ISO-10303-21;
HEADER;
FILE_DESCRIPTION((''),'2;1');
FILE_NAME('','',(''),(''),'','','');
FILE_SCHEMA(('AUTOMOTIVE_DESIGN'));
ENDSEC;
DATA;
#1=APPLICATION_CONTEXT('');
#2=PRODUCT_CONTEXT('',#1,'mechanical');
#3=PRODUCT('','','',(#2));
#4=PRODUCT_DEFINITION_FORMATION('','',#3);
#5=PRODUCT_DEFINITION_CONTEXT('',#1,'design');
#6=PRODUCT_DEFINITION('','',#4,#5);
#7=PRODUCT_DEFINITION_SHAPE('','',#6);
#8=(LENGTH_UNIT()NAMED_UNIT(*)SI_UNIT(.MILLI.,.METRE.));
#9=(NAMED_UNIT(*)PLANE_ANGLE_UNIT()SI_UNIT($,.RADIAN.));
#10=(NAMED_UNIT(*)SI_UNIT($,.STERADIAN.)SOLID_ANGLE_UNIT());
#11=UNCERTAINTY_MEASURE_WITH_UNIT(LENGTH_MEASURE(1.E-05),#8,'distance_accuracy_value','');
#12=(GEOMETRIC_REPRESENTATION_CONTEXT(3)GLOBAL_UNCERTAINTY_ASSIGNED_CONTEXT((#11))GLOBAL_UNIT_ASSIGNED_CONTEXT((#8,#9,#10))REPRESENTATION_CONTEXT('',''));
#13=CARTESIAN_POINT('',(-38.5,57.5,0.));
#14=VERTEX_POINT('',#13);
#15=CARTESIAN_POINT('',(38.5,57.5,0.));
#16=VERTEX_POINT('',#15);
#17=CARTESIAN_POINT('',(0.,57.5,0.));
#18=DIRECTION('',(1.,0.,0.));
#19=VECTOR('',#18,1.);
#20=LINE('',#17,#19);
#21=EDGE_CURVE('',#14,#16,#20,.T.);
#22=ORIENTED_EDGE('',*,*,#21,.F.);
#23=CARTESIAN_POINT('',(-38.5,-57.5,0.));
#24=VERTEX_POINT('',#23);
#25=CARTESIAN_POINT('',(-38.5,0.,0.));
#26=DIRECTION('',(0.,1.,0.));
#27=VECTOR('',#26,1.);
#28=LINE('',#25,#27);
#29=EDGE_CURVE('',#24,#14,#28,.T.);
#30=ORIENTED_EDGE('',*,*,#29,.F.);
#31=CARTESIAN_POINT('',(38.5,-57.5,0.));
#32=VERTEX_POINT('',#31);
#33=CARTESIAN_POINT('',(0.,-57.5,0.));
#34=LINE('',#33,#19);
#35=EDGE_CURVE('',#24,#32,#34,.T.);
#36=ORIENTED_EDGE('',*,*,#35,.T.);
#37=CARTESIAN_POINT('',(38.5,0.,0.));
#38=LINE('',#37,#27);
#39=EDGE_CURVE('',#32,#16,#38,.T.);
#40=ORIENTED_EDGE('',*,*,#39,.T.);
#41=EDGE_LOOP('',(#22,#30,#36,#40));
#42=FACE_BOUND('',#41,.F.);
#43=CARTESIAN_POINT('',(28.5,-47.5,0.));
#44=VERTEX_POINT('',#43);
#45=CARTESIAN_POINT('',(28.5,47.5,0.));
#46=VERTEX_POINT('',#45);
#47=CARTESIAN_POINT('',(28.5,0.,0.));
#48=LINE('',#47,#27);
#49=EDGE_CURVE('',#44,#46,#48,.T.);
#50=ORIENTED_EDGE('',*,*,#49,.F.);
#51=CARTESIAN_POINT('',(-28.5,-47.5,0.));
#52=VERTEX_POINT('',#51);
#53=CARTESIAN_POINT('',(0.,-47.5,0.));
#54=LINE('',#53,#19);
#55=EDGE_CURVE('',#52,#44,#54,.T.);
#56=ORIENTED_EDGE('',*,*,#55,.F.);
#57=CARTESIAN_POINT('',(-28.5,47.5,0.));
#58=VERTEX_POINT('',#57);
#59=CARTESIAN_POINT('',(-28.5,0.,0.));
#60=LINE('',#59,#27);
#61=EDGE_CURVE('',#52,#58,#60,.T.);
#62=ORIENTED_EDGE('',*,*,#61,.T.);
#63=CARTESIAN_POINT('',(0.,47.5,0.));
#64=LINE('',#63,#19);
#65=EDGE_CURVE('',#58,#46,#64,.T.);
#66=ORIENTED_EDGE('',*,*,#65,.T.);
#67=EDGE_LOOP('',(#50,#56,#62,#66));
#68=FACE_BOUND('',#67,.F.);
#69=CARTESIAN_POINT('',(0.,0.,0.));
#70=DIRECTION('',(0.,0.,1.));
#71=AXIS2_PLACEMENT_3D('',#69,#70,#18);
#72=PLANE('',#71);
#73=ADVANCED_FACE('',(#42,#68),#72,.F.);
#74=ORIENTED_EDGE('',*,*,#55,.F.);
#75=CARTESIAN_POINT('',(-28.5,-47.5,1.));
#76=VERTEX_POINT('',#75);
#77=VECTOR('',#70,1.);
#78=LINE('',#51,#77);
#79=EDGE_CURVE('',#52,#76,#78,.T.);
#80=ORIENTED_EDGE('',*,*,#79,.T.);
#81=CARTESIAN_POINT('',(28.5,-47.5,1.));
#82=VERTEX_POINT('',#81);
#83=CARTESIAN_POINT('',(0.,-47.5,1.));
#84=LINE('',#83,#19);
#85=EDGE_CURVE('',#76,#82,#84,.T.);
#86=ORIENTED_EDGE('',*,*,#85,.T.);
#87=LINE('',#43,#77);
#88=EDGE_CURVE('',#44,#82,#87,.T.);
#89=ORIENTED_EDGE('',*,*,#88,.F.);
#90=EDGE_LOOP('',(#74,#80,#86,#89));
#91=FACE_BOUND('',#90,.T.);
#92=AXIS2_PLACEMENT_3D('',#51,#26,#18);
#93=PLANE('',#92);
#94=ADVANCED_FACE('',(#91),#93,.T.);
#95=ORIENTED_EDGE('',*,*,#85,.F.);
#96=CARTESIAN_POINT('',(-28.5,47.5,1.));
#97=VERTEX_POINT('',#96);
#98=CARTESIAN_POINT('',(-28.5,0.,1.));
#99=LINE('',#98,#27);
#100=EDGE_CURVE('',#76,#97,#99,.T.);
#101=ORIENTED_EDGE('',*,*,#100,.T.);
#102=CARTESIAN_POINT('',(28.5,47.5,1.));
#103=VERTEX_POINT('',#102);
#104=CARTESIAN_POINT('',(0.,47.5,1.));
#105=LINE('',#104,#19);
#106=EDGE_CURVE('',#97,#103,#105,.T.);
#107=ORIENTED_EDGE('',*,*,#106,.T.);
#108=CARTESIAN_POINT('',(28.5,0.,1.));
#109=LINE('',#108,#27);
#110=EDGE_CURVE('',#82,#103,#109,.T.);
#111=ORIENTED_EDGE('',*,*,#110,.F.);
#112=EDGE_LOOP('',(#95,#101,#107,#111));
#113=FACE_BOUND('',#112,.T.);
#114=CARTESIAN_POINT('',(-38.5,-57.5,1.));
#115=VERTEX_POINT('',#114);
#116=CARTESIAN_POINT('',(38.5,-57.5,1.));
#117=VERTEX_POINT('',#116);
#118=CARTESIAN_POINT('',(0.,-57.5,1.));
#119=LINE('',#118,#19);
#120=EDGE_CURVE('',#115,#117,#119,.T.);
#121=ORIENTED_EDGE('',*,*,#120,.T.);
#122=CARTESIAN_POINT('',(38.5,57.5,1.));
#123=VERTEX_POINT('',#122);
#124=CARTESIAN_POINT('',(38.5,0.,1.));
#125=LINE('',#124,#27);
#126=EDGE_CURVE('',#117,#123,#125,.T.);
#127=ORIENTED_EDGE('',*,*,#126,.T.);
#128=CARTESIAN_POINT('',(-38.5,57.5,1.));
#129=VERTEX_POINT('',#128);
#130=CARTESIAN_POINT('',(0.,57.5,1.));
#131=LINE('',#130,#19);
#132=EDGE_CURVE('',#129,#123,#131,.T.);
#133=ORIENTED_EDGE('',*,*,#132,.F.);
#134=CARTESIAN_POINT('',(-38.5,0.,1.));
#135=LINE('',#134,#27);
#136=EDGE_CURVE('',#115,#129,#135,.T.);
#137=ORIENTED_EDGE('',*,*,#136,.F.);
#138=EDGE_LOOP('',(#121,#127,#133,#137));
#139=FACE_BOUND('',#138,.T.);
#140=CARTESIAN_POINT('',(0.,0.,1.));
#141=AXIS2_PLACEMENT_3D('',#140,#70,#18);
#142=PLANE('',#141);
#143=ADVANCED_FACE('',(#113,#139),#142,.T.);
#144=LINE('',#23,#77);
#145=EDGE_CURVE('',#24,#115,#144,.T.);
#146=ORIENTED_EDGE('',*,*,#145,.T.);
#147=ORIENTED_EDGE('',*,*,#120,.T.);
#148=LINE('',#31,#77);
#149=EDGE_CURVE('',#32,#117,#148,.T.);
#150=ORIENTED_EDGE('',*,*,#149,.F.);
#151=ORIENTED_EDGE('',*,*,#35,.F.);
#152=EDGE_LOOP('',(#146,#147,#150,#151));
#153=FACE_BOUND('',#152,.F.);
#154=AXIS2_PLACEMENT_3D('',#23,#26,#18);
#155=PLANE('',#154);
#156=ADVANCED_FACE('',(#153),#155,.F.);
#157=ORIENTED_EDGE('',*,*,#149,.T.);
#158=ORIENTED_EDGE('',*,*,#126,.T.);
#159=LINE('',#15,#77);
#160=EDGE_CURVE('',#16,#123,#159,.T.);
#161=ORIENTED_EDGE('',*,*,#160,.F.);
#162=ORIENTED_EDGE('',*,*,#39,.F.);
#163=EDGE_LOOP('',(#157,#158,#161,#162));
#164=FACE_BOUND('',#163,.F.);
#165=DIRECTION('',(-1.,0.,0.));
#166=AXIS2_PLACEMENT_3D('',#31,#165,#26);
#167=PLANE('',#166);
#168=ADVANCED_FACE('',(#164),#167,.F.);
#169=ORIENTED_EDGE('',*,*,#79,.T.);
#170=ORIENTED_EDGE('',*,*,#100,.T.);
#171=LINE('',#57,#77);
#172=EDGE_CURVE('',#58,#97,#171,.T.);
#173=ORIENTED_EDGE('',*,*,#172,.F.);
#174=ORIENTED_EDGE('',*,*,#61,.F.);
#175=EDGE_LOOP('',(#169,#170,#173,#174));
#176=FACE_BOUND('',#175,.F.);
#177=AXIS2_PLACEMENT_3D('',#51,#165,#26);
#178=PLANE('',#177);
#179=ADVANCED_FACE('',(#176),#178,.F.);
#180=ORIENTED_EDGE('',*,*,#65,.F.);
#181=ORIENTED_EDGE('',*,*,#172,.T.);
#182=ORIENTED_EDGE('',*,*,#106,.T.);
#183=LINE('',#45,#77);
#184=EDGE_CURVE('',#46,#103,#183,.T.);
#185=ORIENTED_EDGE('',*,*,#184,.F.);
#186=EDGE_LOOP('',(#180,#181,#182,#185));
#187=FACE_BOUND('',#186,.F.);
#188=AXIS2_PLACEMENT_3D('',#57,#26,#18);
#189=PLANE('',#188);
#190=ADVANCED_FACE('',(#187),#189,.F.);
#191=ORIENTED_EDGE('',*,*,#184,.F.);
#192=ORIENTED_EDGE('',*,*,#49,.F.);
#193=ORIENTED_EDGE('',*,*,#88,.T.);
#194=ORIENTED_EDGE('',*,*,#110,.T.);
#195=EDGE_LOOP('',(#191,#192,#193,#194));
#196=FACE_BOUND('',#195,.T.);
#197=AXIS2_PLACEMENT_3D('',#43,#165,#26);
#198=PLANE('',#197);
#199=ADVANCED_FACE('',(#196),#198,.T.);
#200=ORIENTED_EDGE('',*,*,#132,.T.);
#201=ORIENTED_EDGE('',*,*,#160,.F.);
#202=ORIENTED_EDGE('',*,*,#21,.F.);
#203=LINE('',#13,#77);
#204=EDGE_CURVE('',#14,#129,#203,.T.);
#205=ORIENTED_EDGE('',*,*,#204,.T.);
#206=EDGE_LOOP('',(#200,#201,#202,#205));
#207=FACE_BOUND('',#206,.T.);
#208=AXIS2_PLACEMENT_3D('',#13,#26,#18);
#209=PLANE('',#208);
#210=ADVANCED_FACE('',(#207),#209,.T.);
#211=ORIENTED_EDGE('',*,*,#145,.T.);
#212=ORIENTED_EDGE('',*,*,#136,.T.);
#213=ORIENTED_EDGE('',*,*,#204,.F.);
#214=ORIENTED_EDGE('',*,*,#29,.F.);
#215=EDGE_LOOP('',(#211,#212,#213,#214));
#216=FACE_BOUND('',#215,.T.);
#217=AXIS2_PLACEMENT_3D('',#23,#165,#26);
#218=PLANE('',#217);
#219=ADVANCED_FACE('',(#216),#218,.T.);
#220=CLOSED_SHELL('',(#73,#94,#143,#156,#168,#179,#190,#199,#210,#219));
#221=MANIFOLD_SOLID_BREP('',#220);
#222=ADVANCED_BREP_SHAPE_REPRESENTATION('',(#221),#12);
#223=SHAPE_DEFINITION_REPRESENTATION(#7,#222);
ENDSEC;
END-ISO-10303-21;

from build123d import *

# Parameters (mm, degrees)
SKETCH_W   = 77
SKETCH_H   = 115
SKETCH_W_2 = 57
SKETCH_H_2 = 95
PAD_DEPTH  = 1


with BuildPart() as part:
    # Sketch → Pad (new body)
    with BuildSketch(Plane.XY):
        Rectangle(SKETCH_W, SKETCH_H)
        Rectangle(SKETCH_W_2, SKETCH_H_2, mode=Mode.SUBTRACT)
    extrude(amount=PAD_DEPTH)


solid = part.part
